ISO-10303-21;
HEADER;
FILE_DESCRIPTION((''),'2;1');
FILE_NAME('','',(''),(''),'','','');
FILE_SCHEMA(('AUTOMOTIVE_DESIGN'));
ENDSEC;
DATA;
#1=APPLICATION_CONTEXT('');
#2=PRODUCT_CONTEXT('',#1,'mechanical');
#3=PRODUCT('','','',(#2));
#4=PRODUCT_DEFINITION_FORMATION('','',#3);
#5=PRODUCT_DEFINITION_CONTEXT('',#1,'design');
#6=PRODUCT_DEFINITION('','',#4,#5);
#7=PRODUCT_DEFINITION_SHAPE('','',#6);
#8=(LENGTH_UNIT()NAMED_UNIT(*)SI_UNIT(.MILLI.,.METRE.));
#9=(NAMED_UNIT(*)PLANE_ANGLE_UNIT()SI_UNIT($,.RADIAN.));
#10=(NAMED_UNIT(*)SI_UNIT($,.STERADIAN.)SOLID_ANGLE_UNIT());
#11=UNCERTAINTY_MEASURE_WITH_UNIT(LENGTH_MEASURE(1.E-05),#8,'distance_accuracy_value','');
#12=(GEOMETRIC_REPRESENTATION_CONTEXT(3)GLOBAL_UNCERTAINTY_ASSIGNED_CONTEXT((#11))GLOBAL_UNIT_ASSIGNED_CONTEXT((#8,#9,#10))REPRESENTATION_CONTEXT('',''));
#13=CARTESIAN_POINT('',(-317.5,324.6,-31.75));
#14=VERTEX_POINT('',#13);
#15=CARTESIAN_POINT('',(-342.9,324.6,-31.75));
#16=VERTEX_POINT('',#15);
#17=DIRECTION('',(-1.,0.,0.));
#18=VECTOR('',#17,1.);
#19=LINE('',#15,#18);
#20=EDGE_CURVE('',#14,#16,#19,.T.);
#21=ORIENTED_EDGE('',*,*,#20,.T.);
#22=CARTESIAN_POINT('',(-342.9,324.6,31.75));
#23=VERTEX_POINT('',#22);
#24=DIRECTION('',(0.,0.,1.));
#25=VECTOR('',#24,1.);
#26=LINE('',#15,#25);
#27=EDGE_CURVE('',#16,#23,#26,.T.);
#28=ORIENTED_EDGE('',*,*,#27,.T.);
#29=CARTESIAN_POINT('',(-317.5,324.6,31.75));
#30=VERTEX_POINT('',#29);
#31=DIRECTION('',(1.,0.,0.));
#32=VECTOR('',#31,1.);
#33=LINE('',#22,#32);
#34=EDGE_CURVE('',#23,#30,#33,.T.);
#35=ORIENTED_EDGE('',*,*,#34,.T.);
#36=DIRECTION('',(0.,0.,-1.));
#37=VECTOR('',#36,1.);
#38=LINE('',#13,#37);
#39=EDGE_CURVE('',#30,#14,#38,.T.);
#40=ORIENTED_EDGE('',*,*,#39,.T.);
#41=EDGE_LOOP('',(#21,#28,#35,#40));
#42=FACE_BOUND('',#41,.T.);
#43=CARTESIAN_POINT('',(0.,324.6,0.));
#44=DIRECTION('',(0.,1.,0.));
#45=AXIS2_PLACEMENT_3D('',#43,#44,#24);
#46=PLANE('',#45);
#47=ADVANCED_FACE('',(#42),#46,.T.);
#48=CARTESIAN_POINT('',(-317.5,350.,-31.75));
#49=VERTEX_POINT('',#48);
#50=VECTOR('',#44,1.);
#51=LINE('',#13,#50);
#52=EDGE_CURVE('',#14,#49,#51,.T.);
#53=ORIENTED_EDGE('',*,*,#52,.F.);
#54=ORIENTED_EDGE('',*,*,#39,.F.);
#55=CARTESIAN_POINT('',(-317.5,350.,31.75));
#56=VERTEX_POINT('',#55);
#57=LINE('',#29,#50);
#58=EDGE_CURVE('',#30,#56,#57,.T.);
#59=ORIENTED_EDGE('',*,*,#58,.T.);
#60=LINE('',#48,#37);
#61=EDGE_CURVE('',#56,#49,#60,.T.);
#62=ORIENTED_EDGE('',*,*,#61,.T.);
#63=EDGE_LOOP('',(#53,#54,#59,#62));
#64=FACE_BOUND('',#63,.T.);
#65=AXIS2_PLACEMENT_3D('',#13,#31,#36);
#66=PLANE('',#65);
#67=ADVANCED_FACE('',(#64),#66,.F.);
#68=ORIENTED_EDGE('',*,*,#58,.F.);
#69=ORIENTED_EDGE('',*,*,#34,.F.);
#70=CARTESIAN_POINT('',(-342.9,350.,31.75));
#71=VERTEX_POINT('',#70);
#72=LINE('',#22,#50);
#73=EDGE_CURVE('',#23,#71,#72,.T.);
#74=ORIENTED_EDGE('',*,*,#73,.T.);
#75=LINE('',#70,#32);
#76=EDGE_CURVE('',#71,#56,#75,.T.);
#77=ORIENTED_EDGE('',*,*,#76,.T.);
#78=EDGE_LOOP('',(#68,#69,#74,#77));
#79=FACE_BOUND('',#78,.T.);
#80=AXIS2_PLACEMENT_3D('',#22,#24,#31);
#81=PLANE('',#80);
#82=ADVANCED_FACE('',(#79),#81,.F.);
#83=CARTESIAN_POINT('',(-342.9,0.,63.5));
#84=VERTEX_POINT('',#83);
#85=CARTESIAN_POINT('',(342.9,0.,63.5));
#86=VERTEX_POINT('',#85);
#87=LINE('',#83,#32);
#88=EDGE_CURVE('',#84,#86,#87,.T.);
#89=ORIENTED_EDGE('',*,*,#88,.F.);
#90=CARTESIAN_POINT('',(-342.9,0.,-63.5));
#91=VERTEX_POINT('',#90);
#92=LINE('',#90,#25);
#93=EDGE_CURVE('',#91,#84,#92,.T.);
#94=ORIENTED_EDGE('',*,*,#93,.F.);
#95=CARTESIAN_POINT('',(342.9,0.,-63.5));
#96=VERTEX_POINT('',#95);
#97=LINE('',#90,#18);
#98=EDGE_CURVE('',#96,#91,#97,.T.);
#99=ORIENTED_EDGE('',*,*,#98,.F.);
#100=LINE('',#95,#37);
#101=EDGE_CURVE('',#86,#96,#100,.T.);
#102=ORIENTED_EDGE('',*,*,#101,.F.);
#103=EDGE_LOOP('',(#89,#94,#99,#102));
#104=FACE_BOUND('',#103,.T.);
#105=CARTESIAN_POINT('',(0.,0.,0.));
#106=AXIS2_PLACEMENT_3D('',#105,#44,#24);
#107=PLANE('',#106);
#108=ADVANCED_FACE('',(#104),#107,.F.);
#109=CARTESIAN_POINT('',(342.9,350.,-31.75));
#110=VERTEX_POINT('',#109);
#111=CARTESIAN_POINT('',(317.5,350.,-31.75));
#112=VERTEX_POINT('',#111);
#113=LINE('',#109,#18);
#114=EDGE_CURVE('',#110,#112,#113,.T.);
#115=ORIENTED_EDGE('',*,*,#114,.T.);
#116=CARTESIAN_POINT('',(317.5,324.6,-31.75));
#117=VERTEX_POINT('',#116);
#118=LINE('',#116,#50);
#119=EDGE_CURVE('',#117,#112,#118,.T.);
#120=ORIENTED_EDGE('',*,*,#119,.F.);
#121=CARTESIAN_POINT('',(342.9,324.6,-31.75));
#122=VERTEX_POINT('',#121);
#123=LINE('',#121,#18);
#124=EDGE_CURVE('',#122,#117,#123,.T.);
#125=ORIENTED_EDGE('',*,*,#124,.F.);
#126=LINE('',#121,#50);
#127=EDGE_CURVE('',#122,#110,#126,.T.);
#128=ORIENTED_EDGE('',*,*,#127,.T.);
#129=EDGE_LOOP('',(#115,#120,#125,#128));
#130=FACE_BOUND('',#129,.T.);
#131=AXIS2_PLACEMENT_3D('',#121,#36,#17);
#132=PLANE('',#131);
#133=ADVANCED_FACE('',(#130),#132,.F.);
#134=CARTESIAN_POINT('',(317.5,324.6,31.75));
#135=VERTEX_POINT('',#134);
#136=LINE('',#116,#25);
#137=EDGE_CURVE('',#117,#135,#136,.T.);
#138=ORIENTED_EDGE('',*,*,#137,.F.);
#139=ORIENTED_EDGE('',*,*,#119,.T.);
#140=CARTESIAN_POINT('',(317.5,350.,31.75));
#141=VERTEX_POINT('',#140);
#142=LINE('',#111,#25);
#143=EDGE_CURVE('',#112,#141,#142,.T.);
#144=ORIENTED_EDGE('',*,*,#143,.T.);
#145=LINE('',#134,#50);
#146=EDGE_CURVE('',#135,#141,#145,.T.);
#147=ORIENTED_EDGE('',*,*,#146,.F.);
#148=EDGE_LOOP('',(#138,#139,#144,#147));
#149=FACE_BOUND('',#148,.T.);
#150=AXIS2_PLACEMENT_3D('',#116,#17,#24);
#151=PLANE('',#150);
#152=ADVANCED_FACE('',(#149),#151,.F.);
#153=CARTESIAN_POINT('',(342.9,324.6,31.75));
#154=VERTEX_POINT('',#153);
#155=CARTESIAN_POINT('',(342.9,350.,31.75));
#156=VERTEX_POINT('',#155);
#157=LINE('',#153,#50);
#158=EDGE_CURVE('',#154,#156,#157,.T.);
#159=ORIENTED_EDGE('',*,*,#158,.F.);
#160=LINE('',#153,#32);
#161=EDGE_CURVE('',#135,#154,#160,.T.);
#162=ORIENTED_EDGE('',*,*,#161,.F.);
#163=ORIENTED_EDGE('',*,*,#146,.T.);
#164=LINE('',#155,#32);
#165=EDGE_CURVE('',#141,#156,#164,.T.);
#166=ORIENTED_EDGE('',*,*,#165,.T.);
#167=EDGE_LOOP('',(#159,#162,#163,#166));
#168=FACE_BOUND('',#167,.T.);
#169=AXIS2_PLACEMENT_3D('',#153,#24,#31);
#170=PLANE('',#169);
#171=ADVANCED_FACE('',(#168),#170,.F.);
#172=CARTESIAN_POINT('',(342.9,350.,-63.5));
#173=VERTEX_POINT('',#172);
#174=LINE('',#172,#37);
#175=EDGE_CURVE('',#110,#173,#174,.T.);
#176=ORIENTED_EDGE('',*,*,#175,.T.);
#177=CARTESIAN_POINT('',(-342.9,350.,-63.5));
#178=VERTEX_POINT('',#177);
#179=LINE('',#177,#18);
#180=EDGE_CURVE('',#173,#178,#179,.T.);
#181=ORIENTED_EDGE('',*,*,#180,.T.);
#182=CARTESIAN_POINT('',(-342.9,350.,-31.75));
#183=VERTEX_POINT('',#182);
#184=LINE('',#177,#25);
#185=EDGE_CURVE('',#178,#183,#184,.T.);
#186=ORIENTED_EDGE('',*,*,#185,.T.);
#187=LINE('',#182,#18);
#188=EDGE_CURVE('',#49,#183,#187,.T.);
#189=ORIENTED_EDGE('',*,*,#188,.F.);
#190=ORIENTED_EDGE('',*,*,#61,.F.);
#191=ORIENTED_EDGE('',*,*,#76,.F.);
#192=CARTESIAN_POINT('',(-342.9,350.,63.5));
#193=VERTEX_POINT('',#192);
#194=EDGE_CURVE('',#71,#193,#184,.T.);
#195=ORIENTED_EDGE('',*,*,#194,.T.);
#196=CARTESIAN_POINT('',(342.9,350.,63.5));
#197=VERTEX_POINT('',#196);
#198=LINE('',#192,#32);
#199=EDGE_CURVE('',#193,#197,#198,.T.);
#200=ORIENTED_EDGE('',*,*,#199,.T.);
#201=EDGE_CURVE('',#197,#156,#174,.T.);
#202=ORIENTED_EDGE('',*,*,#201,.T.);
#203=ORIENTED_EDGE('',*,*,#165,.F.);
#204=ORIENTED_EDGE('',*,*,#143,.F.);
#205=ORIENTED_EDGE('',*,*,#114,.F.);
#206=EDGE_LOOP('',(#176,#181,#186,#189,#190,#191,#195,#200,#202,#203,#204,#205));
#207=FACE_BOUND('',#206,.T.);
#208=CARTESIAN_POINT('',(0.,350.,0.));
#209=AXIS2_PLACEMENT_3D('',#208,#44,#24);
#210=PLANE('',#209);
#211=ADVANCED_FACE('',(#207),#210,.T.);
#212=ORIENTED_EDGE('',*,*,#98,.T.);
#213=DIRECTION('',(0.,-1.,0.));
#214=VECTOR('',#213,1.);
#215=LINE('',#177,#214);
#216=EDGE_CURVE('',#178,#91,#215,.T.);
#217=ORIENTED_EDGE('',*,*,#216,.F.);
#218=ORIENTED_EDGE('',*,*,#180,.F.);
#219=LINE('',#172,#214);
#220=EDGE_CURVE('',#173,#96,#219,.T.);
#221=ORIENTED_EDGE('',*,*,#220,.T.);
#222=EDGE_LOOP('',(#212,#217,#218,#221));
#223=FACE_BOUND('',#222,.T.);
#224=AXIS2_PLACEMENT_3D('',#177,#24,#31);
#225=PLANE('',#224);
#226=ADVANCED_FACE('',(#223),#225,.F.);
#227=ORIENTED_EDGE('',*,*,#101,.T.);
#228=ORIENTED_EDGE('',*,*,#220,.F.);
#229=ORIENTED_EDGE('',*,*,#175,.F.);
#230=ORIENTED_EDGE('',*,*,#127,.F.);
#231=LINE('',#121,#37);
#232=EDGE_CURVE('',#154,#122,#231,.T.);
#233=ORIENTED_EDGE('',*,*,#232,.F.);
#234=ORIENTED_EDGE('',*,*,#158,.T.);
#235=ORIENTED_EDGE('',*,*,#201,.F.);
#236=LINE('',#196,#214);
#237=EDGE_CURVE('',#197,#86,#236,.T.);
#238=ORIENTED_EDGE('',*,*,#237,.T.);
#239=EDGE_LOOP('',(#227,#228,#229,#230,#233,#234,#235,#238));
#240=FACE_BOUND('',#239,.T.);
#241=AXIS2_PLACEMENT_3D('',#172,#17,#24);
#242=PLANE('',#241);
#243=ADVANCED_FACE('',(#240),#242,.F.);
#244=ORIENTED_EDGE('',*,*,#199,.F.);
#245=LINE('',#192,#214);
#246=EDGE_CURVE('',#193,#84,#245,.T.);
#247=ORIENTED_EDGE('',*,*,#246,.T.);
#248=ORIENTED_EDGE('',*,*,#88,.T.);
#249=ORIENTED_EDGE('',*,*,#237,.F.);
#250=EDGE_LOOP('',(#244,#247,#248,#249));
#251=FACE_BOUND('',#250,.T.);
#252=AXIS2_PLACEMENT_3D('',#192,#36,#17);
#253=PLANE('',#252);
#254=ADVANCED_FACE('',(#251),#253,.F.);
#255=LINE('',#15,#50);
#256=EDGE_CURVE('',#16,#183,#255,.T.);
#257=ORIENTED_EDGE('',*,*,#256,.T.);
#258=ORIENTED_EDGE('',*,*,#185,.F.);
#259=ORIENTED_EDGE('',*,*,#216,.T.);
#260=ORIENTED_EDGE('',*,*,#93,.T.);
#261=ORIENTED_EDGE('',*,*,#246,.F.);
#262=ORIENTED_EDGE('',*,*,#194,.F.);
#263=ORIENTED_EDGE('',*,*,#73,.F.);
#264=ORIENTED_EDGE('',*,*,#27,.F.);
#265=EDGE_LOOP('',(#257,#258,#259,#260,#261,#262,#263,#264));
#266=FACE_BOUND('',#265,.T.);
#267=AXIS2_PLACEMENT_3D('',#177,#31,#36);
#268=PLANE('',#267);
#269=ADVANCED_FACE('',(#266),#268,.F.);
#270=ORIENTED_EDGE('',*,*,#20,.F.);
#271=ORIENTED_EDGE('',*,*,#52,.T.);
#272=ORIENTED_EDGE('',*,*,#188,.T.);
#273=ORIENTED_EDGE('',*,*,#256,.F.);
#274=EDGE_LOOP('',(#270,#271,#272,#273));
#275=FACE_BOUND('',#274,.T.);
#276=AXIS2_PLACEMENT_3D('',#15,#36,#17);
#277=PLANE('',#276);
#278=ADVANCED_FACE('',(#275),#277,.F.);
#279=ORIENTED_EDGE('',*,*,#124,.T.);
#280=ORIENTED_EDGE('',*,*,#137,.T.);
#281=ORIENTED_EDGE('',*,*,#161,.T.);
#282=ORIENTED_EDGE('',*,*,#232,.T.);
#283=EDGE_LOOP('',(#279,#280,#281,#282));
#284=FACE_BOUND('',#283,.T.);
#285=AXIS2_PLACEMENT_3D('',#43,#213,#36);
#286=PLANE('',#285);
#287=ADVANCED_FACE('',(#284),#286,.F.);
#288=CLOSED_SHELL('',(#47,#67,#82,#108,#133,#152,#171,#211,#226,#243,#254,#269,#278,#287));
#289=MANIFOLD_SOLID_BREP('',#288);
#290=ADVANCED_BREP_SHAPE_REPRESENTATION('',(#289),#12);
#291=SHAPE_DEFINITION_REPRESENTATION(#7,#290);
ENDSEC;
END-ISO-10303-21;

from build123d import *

# Parameters (mm, degrees)
SKETCH1_W           = 685.8
SKETCH1_H           = 127
BOSS_EXTRUDE1_DEPTH = 350
SKETCH2_W           = 25.4
SKETCH2_H           = 63.5
CUT_EXTRUDE2_DEPTH  = 25.4


with BuildPart() as part:
    # Sketch1 → Boss-Extrude1 (new body)
    with BuildSketch(Plane(origin=(0, 0, 0), x_dir=(1, 0, 0), z_dir=(0, 1, 0))):
        Rectangle(SKETCH1_W, SKETCH1_H)
    extrude(amount=BOSS_EXTRUDE1_DEPTH)

    # Sketch2 → Cut-Extrude2 (cut)
    with BuildSketch(Plane(origin=(0, 350, 0), x_dir=(1, 0, 0), z_dir=(0, 1, 0))):
        with Locations((-330.2, 0)):
            Rectangle(SKETCH2_W, SKETCH2_H)
        with Locations((330.2, 0)):
            Rectangle(SKETCH2_W, SKETCH2_H)
    extrude(amount=-CUT_EXTRUDE2_DEPTH, mode=Mode.SUBTRACT)


solid = part.part
